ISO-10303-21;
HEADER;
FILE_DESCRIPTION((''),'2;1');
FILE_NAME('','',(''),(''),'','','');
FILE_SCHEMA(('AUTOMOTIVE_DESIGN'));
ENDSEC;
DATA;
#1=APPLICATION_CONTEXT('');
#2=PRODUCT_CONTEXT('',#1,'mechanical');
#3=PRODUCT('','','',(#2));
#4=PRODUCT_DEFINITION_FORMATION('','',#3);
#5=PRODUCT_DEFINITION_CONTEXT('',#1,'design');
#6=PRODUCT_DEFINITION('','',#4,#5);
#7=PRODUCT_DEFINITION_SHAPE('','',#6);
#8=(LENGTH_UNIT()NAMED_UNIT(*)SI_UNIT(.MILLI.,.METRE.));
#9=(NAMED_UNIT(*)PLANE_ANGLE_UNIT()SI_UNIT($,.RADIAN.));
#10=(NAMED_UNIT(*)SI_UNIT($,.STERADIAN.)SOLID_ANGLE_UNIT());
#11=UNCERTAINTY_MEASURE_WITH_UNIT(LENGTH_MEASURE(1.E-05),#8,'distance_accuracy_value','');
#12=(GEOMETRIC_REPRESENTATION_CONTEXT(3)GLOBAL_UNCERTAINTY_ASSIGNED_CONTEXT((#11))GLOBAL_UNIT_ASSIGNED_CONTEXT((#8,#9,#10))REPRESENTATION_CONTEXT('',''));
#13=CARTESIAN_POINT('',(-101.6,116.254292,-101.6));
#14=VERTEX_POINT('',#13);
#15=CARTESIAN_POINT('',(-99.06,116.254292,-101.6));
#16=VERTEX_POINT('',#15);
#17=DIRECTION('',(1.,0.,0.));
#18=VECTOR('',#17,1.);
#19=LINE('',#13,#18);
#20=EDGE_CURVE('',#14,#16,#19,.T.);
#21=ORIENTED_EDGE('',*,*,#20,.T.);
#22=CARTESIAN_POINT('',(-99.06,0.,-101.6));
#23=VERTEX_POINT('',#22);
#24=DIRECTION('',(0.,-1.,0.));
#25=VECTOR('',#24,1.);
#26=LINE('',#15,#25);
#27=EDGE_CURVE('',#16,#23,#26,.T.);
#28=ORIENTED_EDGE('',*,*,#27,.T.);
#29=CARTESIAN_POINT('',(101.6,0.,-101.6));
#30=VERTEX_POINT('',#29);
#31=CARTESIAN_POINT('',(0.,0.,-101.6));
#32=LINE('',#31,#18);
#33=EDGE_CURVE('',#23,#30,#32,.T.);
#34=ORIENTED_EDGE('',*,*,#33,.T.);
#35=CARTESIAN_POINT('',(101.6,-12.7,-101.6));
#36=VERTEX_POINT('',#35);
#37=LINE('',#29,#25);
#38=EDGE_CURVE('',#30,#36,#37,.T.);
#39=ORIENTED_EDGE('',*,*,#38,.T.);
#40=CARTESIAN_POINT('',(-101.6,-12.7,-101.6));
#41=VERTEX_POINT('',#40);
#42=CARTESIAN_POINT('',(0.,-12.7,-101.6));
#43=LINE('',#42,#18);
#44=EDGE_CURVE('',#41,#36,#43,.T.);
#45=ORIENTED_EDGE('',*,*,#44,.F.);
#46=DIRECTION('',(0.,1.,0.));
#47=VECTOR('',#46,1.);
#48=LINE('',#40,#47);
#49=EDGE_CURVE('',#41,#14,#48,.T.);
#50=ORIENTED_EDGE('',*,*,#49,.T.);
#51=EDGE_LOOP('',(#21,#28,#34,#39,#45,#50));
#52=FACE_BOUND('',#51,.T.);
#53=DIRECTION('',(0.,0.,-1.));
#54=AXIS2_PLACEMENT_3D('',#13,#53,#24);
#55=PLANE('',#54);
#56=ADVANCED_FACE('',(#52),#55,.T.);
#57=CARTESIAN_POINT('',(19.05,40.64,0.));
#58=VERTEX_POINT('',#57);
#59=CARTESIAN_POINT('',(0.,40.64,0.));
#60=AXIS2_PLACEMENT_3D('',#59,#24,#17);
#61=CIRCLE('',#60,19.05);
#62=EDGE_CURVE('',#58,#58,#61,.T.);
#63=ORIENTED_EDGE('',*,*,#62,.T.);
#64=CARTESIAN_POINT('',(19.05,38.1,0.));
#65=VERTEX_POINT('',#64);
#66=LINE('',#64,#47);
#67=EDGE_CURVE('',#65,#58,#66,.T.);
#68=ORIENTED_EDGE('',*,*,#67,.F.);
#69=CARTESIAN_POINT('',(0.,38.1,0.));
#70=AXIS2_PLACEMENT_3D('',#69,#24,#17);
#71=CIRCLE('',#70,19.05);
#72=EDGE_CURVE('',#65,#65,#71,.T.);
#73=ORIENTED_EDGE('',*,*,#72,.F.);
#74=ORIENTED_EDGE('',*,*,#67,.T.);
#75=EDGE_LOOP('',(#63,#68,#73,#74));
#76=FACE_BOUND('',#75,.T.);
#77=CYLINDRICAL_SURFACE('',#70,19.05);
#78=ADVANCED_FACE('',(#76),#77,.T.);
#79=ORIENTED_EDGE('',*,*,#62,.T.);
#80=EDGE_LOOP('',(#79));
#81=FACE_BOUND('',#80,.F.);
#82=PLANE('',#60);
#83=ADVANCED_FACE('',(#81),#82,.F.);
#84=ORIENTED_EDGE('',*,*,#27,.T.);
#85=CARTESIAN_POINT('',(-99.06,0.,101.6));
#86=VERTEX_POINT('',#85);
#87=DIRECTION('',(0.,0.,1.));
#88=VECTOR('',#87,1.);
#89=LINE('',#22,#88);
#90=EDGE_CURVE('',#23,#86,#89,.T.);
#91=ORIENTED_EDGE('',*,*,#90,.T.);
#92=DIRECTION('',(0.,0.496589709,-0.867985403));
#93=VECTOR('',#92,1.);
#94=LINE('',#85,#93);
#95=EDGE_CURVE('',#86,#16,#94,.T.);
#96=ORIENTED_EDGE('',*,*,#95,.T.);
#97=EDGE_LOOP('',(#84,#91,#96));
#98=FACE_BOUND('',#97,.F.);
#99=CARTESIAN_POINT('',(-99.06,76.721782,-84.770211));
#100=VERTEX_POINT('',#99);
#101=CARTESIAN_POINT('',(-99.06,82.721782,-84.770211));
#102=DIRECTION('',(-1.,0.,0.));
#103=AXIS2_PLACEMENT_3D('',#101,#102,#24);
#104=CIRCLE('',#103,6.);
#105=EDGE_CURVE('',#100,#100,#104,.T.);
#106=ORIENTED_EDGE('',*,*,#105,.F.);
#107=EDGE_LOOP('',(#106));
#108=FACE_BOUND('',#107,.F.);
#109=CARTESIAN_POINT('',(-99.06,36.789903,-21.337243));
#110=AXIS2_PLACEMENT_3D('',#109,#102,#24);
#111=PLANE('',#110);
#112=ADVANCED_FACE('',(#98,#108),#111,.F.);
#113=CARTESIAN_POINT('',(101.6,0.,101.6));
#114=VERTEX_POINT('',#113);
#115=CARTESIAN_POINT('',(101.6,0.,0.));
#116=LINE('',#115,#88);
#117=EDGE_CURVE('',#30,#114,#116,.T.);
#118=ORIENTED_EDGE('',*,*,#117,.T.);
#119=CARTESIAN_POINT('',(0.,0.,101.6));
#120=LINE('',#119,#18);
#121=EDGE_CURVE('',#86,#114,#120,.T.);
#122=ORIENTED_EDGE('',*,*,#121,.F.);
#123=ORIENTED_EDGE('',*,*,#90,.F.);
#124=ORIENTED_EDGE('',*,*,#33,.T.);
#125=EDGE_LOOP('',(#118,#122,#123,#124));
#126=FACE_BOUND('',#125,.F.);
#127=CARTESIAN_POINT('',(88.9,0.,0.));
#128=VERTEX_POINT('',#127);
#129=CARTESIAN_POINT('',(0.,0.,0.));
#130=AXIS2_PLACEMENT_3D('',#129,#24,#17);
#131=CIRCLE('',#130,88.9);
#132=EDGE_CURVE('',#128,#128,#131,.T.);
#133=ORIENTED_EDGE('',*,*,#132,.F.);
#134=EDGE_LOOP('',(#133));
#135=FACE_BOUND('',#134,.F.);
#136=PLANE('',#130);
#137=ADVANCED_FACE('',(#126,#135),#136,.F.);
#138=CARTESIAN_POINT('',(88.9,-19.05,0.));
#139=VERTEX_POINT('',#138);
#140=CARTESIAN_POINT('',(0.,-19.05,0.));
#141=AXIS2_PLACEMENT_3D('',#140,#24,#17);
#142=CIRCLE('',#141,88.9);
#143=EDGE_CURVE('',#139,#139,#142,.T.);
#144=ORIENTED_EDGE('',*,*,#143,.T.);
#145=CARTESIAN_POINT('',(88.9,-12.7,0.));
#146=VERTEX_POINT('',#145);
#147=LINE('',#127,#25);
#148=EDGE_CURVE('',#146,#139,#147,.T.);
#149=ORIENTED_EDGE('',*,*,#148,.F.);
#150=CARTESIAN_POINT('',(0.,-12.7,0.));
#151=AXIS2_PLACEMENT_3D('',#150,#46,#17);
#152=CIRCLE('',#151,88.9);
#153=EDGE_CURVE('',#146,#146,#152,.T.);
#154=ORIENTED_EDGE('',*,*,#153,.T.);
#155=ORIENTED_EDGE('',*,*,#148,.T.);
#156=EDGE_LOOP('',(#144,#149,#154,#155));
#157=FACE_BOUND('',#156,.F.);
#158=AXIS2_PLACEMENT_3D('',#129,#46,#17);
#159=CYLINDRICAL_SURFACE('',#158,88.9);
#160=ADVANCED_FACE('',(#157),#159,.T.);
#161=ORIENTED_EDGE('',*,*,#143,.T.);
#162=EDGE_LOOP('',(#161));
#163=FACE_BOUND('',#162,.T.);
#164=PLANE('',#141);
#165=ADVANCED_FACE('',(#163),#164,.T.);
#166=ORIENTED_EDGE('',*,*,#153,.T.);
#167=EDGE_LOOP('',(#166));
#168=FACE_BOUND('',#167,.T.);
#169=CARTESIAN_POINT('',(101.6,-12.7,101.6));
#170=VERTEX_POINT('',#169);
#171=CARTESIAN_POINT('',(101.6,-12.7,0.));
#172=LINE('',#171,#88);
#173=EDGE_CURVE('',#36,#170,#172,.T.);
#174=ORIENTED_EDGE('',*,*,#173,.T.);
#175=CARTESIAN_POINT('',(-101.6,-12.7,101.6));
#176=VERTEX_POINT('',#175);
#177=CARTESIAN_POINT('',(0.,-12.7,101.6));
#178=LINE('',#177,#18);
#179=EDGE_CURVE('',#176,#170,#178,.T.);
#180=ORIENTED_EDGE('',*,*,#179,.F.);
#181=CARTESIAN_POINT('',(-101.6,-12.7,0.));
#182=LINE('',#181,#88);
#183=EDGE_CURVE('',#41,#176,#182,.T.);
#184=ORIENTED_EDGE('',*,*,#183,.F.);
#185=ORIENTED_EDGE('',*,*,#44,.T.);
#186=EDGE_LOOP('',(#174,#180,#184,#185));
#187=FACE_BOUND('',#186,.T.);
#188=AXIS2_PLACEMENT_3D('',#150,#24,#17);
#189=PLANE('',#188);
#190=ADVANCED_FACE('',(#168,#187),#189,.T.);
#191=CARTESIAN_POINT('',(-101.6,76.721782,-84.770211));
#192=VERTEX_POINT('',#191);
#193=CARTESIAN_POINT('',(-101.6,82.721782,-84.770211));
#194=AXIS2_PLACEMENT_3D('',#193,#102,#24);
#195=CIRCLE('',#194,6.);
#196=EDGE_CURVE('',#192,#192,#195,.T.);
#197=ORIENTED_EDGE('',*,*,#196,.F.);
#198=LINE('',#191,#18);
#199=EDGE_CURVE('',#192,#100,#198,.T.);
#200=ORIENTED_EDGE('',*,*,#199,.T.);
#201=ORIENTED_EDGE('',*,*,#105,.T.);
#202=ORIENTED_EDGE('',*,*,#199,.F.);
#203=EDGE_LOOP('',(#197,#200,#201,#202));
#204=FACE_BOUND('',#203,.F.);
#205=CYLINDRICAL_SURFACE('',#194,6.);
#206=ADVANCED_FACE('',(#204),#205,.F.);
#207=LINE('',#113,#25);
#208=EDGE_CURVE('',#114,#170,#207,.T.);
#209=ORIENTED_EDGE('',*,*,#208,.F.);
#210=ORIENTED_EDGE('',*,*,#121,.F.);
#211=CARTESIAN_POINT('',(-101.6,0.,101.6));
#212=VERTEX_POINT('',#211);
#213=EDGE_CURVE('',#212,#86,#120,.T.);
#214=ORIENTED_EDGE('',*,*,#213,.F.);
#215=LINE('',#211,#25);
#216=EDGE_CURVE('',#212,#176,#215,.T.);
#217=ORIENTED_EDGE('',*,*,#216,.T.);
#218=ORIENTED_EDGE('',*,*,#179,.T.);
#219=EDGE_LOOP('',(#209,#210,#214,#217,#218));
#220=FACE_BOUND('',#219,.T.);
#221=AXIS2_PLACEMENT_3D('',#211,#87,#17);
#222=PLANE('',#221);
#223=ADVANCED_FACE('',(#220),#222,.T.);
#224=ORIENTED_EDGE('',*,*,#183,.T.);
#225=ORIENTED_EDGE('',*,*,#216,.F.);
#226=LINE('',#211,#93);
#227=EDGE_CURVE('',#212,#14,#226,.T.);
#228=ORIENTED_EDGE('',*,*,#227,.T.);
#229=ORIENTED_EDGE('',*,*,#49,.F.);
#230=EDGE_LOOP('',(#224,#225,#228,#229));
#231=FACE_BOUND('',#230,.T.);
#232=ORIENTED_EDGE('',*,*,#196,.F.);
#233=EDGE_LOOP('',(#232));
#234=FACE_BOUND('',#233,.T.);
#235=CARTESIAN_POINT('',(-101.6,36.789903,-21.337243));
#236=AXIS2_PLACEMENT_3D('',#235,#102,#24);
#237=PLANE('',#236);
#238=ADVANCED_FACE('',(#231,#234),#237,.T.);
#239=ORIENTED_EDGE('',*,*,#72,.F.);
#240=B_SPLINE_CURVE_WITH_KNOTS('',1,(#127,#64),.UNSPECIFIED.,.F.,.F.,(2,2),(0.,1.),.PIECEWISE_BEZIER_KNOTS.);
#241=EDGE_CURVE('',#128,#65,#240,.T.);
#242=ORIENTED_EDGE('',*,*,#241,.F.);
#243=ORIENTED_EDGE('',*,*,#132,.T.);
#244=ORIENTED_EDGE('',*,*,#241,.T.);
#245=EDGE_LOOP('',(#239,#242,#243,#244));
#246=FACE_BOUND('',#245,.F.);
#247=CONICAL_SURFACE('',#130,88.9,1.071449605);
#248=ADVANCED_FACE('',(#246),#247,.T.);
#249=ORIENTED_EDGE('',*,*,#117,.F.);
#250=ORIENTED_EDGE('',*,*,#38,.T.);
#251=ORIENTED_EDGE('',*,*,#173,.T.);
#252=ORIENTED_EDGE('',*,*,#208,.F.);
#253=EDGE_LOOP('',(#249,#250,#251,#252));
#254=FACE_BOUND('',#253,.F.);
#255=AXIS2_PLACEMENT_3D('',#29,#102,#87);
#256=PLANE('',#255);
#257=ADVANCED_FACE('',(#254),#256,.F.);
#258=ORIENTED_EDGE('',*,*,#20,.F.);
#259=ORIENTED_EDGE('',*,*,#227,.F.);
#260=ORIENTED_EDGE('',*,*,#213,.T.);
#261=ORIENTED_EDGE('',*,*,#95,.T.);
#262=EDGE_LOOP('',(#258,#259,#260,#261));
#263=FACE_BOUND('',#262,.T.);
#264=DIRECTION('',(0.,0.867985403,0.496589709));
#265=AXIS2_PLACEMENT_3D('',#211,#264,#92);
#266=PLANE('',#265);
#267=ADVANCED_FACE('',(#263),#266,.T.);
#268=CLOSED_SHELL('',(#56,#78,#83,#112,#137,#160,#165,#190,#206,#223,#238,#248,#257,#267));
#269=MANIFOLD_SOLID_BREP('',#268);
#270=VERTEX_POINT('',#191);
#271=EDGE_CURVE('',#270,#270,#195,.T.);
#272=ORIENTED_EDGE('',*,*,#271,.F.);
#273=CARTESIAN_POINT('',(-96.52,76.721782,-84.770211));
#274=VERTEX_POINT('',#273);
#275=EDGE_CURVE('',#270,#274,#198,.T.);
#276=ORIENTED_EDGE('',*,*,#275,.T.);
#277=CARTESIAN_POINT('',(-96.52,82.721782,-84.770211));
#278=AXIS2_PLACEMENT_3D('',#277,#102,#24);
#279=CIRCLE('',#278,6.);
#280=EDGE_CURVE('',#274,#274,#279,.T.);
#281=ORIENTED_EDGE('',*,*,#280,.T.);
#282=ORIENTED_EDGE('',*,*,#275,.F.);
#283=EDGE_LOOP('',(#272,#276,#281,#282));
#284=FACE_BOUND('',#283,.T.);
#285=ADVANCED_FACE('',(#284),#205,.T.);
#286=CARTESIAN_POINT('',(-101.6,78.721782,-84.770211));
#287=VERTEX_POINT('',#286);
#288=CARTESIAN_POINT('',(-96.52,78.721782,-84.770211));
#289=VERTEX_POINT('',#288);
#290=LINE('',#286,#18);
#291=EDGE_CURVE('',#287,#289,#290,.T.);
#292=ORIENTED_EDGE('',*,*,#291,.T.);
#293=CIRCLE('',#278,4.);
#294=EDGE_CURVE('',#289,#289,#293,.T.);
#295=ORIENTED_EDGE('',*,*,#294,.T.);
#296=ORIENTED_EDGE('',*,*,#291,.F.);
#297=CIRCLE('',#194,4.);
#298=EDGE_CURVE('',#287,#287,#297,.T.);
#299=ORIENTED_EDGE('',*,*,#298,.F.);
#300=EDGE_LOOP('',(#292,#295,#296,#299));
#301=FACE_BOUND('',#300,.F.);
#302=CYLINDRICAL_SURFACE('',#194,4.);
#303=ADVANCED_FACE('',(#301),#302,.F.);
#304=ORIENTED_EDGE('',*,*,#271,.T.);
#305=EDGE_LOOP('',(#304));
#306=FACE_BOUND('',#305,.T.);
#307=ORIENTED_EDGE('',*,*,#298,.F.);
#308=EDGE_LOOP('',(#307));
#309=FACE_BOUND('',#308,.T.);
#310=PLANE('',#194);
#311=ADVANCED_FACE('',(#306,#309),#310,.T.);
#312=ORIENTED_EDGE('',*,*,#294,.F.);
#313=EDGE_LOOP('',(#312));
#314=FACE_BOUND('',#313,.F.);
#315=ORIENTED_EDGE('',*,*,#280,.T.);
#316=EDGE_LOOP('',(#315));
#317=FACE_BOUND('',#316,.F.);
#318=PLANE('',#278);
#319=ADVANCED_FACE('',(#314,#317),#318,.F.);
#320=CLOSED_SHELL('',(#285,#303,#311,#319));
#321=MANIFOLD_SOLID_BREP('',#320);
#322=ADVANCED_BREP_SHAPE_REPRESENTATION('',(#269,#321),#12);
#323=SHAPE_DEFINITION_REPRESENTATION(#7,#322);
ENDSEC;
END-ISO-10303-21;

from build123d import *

# Parameters (mm, degrees)
F0_W     = 203.2
F0_H     = 203.2
F0_R     = 88.9
F1_DEPTH = 12.7
F2_DEPTH = 19.05
F3_R     = 6
F4_DEPTH = 2.54
F3_R_2   = 4
F5_DEPTH = 5.08
F7_R     = 19.05
F9_DEPTH = 2.54


with BuildPart() as f1:
    # F0 (on Front) → F1 (new body)
    with BuildSketch(Plane.XZ):
        Rectangle(F0_W, F0_H)
        Circle(F0_R, mode=Mode.SUBTRACT)
        Circle(F0_R)
    extrude(amount=F1_DEPTH)

    # F0 (on Front) → F2 (join)
    with BuildSketch(Plane.XZ):
        Circle(F0_R)
    extrude(amount=F2_DEPTH)

    # F3 (on face) → F4 (join)
    with BuildSketch(Plane(origin=(-101.6, 0, 0), x_dir=(0, -1, 0), z_dir=(-1, 0, 0))):
        Polygon((-116.2542924285, -101.6), (0, -101.6), (0, 101.6), align=None)
        with Locations((-82.7217820338, -84.7702106243)):
            Circle(F3_R, mode=Mode.SUBTRACT)
    extrude(amount=-F4_DEPTH)

    # F0 (on Front) → F8 section 0
    with BuildSketch(Plane.XZ):
        Circle(F0_R)
    # F7 (on offset) → F8 section 1
    with BuildSketch(Plane.XZ.offset(-38.1)):
        Circle(F7_R)
    loft()

    # F9 (add): a face of the model
    f9_faces = [f1.faces().sort_by_distance(p)[0] for p in [
        (0, 38.1, 0),
    ]]
    extrude(f9_faces, amount=F9_DEPTH)


with BuildPart() as f5:
    # F3 (on face) → F5 (new body)
    with BuildSketch(Plane(origin=(-101.6, 0, 0), x_dir=(0, -1, 0), z_dir=(-1, 0, 0))):
        with Locations((-82.7217820338, -84.7702106243)):
            Circle(F3_R)
        with Locations((-82.7217820338, -84.7702106243)):
            Circle(F3_R_2, mode=Mode.SUBTRACT)
    extrude(amount=-F5_DEPTH)


solid = Compound([f1.part, f5.part])
